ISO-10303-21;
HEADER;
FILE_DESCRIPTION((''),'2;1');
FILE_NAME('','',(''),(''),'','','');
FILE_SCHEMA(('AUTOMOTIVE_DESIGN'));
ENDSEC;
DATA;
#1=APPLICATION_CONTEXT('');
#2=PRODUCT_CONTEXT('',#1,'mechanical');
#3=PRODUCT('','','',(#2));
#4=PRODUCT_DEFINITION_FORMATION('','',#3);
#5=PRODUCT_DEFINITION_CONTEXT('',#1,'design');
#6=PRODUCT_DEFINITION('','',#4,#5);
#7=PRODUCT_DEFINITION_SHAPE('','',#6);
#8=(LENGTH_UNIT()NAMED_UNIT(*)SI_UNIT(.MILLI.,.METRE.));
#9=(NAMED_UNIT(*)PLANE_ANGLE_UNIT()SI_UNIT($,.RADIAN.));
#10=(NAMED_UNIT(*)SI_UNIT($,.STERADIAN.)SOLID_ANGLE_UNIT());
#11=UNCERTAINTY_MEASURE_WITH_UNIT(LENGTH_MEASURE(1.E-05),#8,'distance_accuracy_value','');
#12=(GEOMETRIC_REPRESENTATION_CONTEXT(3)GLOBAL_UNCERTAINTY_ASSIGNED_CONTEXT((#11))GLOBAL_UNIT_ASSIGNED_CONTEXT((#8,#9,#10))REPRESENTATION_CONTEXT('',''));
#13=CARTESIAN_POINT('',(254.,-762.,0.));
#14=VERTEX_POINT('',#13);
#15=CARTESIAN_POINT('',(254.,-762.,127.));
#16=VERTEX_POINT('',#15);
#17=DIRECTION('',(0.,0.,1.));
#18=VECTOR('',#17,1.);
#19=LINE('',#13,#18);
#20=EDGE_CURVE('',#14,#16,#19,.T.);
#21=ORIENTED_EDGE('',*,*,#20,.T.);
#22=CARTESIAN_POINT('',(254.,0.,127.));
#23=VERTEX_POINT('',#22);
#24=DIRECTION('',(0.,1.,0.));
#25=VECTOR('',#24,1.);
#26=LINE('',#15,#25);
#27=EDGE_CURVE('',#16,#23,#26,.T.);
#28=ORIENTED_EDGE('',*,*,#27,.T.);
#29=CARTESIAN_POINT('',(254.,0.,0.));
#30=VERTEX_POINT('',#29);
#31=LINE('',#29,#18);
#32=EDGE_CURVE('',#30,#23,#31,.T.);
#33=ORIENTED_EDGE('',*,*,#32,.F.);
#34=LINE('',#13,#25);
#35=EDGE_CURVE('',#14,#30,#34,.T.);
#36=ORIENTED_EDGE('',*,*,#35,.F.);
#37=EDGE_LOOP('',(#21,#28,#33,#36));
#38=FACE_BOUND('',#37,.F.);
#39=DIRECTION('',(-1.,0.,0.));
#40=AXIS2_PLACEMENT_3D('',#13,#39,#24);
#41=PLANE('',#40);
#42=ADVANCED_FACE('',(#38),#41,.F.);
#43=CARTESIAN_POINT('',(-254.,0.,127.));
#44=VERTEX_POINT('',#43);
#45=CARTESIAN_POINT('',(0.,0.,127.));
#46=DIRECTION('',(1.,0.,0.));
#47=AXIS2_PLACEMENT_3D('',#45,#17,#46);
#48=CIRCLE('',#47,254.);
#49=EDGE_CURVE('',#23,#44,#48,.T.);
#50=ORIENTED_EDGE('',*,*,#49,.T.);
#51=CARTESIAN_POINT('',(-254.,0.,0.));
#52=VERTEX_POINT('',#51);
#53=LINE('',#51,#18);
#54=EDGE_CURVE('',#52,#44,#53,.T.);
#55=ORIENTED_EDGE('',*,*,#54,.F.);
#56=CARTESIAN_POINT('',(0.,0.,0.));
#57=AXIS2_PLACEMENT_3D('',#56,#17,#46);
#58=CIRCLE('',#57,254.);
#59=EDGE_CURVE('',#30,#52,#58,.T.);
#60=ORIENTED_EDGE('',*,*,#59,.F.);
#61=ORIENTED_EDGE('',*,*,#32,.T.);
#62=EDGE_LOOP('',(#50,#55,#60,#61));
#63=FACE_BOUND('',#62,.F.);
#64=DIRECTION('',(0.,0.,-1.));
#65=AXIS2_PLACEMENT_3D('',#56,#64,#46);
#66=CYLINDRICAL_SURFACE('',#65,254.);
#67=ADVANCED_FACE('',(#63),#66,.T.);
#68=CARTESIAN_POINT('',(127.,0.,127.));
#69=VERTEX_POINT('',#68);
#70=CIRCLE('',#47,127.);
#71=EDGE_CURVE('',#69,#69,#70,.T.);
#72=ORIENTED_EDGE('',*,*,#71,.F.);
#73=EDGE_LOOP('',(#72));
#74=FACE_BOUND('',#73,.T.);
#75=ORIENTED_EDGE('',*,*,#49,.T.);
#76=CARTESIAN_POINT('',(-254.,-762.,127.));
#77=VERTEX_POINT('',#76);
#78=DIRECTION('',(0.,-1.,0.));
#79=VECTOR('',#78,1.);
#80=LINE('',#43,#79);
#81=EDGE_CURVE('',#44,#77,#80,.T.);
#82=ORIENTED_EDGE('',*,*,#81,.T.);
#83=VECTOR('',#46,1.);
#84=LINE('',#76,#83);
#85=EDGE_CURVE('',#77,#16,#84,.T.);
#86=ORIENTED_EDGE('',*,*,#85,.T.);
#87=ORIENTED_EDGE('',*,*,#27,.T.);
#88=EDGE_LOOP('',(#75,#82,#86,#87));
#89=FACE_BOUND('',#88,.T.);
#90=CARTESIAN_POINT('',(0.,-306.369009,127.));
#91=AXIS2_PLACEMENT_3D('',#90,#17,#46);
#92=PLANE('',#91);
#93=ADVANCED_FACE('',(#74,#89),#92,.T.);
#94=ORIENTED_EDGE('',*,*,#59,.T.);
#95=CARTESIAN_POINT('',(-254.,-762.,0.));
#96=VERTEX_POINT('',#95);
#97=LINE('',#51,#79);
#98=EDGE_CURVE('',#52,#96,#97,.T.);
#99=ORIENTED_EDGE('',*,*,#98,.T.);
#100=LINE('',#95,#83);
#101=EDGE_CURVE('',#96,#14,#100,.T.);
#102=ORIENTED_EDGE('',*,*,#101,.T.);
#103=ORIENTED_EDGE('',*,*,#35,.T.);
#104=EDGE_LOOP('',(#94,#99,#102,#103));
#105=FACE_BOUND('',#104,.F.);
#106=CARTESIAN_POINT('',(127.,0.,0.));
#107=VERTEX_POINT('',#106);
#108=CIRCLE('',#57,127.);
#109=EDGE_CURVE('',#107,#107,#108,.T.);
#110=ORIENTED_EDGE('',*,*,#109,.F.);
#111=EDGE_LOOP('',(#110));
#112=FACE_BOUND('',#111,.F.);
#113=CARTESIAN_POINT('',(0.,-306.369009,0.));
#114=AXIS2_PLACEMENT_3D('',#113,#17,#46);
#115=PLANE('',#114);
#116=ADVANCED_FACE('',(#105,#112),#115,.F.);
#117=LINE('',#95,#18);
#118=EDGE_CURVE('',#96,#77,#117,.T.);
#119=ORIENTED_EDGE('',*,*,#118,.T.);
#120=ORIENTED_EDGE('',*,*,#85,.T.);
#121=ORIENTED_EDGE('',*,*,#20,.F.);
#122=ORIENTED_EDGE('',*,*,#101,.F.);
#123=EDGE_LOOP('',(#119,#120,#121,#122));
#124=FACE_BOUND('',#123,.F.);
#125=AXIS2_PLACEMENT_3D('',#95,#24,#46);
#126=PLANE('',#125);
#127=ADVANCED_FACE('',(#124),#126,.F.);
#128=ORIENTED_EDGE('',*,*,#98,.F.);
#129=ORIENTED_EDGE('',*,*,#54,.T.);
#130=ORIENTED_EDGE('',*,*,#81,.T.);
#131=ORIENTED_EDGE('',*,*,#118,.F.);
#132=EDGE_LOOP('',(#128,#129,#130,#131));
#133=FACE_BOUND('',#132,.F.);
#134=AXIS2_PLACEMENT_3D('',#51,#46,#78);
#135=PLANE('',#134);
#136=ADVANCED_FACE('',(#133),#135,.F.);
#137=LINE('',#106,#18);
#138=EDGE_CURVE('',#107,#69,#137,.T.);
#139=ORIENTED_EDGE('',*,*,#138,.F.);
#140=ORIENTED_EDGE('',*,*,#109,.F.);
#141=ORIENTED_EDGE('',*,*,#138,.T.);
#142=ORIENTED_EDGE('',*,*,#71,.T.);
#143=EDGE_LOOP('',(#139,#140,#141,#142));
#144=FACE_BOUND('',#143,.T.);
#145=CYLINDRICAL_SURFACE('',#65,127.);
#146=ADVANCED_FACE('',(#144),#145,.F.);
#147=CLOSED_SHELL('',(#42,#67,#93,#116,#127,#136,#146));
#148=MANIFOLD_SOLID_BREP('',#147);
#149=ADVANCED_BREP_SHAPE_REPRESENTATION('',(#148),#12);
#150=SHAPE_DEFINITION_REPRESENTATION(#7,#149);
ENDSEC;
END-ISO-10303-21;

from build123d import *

# Parameters (mm, degrees)
F0_R     = 127
F1_DEPTH = 127


with BuildPart() as f1:
    # F0 (on Top) → F1 (new body)
    with BuildSketch(Plane.XY):
        with BuildLine():
            Line((-254, 0), (-254, -762))
            Line((-254, -762), (254, -762))
            Line((254, -762), (254, 0))
            ThreePointArc((254, 0), (0, 254), (-254, 0))
        make_face()
        Circle(F0_R, mode=Mode.SUBTRACT)
    extrude(amount=F1_DEPTH)


solid = f1.part
